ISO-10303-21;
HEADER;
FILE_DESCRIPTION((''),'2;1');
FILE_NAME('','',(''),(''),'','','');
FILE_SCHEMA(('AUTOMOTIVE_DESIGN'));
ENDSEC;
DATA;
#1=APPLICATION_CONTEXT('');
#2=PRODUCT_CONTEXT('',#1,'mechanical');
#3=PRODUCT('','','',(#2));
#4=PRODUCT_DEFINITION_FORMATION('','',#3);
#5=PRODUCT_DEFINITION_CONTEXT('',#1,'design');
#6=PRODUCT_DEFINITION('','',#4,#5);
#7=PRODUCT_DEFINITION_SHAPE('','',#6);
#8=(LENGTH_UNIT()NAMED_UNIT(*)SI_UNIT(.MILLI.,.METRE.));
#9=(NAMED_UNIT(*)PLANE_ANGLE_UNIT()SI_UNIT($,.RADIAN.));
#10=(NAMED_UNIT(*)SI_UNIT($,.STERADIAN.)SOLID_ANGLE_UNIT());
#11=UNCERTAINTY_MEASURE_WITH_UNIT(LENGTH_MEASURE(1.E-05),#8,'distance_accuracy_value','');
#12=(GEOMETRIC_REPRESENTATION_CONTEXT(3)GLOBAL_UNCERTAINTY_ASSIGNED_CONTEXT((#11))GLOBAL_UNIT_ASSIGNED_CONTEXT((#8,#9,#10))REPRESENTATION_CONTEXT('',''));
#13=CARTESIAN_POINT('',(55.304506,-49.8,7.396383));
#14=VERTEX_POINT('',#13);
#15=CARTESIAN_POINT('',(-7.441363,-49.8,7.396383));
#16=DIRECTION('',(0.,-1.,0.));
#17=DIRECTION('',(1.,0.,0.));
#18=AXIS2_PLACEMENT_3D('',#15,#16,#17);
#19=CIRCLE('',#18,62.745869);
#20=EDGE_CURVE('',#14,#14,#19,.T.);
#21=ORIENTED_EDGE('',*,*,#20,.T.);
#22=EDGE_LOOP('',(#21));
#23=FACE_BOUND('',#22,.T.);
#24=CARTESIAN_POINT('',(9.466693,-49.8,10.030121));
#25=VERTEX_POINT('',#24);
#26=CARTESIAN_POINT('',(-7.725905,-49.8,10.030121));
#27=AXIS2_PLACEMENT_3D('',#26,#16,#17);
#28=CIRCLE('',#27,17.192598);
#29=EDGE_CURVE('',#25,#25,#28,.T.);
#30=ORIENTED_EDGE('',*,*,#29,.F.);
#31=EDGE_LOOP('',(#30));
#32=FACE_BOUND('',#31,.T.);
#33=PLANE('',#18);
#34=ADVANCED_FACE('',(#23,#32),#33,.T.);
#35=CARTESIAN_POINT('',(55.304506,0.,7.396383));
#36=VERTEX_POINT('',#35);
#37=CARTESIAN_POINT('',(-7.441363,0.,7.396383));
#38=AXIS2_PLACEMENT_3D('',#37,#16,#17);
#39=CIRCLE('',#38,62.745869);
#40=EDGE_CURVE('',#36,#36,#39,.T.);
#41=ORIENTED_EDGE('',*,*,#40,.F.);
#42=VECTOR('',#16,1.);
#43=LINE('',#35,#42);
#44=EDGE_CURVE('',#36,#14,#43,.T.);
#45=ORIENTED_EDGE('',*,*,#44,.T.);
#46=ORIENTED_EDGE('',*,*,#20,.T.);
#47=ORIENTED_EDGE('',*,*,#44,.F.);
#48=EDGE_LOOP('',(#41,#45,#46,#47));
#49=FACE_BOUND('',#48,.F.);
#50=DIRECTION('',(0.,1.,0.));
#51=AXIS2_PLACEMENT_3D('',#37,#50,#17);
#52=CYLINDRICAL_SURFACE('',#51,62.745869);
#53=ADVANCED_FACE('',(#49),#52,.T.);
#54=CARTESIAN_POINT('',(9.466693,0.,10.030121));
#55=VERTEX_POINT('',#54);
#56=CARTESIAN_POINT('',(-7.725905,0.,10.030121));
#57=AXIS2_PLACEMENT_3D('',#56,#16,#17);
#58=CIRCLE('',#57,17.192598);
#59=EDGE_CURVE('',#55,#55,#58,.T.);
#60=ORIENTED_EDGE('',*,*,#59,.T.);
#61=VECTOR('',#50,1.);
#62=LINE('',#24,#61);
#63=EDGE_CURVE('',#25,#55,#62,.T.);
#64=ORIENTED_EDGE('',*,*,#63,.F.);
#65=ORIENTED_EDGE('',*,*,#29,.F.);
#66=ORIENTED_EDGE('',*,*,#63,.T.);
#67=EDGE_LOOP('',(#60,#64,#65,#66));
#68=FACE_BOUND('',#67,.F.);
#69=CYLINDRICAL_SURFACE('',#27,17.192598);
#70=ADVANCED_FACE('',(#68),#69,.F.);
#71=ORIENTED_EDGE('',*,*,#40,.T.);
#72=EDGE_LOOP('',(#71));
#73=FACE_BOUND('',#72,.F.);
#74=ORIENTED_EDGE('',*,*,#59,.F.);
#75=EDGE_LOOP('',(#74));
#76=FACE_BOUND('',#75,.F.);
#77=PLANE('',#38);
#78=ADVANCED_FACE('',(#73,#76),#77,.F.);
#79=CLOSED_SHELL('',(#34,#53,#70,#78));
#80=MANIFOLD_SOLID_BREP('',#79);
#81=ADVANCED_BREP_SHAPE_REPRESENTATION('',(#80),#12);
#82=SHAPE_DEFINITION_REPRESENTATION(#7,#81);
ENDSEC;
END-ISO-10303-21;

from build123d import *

# Parameters (mm, degrees)
F0_R       = 62.7458687881
F1_DEPTH   = 49.8
F2_R       = 17.1925979278
F1_FACE1_R = 62.7458687881
F3_DEPTH   = 57.8


with BuildPart() as f1:
    # F0 (on Front) → F1 (new body)
    with BuildSketch(Plane.XZ):
        with Locations((-7.4413628317, 7.3963827454)):
            Circle(F0_R)
    extrude(amount=F1_DEPTH)

    # F2 (on face) + F1_face1 (on face) → F3 (cut)
    with BuildSketch(Plane.XZ.offset(49.8)):
        with Locations((-7.7259051614, 10.0301206112)):
            Circle(F2_R)
    with BuildSketch(Plane(origin=(-7.4413628317, 0, 7.3963827454), x_dir=(1, 0, 0), z_dir=(0, 1, 0))):
        Circle(F1_FACE1_R)
    extrude(amount=-F3_DEPTH, dir=(0, -1, 0), mode=Mode.SUBTRACT)


solid = f1.part
